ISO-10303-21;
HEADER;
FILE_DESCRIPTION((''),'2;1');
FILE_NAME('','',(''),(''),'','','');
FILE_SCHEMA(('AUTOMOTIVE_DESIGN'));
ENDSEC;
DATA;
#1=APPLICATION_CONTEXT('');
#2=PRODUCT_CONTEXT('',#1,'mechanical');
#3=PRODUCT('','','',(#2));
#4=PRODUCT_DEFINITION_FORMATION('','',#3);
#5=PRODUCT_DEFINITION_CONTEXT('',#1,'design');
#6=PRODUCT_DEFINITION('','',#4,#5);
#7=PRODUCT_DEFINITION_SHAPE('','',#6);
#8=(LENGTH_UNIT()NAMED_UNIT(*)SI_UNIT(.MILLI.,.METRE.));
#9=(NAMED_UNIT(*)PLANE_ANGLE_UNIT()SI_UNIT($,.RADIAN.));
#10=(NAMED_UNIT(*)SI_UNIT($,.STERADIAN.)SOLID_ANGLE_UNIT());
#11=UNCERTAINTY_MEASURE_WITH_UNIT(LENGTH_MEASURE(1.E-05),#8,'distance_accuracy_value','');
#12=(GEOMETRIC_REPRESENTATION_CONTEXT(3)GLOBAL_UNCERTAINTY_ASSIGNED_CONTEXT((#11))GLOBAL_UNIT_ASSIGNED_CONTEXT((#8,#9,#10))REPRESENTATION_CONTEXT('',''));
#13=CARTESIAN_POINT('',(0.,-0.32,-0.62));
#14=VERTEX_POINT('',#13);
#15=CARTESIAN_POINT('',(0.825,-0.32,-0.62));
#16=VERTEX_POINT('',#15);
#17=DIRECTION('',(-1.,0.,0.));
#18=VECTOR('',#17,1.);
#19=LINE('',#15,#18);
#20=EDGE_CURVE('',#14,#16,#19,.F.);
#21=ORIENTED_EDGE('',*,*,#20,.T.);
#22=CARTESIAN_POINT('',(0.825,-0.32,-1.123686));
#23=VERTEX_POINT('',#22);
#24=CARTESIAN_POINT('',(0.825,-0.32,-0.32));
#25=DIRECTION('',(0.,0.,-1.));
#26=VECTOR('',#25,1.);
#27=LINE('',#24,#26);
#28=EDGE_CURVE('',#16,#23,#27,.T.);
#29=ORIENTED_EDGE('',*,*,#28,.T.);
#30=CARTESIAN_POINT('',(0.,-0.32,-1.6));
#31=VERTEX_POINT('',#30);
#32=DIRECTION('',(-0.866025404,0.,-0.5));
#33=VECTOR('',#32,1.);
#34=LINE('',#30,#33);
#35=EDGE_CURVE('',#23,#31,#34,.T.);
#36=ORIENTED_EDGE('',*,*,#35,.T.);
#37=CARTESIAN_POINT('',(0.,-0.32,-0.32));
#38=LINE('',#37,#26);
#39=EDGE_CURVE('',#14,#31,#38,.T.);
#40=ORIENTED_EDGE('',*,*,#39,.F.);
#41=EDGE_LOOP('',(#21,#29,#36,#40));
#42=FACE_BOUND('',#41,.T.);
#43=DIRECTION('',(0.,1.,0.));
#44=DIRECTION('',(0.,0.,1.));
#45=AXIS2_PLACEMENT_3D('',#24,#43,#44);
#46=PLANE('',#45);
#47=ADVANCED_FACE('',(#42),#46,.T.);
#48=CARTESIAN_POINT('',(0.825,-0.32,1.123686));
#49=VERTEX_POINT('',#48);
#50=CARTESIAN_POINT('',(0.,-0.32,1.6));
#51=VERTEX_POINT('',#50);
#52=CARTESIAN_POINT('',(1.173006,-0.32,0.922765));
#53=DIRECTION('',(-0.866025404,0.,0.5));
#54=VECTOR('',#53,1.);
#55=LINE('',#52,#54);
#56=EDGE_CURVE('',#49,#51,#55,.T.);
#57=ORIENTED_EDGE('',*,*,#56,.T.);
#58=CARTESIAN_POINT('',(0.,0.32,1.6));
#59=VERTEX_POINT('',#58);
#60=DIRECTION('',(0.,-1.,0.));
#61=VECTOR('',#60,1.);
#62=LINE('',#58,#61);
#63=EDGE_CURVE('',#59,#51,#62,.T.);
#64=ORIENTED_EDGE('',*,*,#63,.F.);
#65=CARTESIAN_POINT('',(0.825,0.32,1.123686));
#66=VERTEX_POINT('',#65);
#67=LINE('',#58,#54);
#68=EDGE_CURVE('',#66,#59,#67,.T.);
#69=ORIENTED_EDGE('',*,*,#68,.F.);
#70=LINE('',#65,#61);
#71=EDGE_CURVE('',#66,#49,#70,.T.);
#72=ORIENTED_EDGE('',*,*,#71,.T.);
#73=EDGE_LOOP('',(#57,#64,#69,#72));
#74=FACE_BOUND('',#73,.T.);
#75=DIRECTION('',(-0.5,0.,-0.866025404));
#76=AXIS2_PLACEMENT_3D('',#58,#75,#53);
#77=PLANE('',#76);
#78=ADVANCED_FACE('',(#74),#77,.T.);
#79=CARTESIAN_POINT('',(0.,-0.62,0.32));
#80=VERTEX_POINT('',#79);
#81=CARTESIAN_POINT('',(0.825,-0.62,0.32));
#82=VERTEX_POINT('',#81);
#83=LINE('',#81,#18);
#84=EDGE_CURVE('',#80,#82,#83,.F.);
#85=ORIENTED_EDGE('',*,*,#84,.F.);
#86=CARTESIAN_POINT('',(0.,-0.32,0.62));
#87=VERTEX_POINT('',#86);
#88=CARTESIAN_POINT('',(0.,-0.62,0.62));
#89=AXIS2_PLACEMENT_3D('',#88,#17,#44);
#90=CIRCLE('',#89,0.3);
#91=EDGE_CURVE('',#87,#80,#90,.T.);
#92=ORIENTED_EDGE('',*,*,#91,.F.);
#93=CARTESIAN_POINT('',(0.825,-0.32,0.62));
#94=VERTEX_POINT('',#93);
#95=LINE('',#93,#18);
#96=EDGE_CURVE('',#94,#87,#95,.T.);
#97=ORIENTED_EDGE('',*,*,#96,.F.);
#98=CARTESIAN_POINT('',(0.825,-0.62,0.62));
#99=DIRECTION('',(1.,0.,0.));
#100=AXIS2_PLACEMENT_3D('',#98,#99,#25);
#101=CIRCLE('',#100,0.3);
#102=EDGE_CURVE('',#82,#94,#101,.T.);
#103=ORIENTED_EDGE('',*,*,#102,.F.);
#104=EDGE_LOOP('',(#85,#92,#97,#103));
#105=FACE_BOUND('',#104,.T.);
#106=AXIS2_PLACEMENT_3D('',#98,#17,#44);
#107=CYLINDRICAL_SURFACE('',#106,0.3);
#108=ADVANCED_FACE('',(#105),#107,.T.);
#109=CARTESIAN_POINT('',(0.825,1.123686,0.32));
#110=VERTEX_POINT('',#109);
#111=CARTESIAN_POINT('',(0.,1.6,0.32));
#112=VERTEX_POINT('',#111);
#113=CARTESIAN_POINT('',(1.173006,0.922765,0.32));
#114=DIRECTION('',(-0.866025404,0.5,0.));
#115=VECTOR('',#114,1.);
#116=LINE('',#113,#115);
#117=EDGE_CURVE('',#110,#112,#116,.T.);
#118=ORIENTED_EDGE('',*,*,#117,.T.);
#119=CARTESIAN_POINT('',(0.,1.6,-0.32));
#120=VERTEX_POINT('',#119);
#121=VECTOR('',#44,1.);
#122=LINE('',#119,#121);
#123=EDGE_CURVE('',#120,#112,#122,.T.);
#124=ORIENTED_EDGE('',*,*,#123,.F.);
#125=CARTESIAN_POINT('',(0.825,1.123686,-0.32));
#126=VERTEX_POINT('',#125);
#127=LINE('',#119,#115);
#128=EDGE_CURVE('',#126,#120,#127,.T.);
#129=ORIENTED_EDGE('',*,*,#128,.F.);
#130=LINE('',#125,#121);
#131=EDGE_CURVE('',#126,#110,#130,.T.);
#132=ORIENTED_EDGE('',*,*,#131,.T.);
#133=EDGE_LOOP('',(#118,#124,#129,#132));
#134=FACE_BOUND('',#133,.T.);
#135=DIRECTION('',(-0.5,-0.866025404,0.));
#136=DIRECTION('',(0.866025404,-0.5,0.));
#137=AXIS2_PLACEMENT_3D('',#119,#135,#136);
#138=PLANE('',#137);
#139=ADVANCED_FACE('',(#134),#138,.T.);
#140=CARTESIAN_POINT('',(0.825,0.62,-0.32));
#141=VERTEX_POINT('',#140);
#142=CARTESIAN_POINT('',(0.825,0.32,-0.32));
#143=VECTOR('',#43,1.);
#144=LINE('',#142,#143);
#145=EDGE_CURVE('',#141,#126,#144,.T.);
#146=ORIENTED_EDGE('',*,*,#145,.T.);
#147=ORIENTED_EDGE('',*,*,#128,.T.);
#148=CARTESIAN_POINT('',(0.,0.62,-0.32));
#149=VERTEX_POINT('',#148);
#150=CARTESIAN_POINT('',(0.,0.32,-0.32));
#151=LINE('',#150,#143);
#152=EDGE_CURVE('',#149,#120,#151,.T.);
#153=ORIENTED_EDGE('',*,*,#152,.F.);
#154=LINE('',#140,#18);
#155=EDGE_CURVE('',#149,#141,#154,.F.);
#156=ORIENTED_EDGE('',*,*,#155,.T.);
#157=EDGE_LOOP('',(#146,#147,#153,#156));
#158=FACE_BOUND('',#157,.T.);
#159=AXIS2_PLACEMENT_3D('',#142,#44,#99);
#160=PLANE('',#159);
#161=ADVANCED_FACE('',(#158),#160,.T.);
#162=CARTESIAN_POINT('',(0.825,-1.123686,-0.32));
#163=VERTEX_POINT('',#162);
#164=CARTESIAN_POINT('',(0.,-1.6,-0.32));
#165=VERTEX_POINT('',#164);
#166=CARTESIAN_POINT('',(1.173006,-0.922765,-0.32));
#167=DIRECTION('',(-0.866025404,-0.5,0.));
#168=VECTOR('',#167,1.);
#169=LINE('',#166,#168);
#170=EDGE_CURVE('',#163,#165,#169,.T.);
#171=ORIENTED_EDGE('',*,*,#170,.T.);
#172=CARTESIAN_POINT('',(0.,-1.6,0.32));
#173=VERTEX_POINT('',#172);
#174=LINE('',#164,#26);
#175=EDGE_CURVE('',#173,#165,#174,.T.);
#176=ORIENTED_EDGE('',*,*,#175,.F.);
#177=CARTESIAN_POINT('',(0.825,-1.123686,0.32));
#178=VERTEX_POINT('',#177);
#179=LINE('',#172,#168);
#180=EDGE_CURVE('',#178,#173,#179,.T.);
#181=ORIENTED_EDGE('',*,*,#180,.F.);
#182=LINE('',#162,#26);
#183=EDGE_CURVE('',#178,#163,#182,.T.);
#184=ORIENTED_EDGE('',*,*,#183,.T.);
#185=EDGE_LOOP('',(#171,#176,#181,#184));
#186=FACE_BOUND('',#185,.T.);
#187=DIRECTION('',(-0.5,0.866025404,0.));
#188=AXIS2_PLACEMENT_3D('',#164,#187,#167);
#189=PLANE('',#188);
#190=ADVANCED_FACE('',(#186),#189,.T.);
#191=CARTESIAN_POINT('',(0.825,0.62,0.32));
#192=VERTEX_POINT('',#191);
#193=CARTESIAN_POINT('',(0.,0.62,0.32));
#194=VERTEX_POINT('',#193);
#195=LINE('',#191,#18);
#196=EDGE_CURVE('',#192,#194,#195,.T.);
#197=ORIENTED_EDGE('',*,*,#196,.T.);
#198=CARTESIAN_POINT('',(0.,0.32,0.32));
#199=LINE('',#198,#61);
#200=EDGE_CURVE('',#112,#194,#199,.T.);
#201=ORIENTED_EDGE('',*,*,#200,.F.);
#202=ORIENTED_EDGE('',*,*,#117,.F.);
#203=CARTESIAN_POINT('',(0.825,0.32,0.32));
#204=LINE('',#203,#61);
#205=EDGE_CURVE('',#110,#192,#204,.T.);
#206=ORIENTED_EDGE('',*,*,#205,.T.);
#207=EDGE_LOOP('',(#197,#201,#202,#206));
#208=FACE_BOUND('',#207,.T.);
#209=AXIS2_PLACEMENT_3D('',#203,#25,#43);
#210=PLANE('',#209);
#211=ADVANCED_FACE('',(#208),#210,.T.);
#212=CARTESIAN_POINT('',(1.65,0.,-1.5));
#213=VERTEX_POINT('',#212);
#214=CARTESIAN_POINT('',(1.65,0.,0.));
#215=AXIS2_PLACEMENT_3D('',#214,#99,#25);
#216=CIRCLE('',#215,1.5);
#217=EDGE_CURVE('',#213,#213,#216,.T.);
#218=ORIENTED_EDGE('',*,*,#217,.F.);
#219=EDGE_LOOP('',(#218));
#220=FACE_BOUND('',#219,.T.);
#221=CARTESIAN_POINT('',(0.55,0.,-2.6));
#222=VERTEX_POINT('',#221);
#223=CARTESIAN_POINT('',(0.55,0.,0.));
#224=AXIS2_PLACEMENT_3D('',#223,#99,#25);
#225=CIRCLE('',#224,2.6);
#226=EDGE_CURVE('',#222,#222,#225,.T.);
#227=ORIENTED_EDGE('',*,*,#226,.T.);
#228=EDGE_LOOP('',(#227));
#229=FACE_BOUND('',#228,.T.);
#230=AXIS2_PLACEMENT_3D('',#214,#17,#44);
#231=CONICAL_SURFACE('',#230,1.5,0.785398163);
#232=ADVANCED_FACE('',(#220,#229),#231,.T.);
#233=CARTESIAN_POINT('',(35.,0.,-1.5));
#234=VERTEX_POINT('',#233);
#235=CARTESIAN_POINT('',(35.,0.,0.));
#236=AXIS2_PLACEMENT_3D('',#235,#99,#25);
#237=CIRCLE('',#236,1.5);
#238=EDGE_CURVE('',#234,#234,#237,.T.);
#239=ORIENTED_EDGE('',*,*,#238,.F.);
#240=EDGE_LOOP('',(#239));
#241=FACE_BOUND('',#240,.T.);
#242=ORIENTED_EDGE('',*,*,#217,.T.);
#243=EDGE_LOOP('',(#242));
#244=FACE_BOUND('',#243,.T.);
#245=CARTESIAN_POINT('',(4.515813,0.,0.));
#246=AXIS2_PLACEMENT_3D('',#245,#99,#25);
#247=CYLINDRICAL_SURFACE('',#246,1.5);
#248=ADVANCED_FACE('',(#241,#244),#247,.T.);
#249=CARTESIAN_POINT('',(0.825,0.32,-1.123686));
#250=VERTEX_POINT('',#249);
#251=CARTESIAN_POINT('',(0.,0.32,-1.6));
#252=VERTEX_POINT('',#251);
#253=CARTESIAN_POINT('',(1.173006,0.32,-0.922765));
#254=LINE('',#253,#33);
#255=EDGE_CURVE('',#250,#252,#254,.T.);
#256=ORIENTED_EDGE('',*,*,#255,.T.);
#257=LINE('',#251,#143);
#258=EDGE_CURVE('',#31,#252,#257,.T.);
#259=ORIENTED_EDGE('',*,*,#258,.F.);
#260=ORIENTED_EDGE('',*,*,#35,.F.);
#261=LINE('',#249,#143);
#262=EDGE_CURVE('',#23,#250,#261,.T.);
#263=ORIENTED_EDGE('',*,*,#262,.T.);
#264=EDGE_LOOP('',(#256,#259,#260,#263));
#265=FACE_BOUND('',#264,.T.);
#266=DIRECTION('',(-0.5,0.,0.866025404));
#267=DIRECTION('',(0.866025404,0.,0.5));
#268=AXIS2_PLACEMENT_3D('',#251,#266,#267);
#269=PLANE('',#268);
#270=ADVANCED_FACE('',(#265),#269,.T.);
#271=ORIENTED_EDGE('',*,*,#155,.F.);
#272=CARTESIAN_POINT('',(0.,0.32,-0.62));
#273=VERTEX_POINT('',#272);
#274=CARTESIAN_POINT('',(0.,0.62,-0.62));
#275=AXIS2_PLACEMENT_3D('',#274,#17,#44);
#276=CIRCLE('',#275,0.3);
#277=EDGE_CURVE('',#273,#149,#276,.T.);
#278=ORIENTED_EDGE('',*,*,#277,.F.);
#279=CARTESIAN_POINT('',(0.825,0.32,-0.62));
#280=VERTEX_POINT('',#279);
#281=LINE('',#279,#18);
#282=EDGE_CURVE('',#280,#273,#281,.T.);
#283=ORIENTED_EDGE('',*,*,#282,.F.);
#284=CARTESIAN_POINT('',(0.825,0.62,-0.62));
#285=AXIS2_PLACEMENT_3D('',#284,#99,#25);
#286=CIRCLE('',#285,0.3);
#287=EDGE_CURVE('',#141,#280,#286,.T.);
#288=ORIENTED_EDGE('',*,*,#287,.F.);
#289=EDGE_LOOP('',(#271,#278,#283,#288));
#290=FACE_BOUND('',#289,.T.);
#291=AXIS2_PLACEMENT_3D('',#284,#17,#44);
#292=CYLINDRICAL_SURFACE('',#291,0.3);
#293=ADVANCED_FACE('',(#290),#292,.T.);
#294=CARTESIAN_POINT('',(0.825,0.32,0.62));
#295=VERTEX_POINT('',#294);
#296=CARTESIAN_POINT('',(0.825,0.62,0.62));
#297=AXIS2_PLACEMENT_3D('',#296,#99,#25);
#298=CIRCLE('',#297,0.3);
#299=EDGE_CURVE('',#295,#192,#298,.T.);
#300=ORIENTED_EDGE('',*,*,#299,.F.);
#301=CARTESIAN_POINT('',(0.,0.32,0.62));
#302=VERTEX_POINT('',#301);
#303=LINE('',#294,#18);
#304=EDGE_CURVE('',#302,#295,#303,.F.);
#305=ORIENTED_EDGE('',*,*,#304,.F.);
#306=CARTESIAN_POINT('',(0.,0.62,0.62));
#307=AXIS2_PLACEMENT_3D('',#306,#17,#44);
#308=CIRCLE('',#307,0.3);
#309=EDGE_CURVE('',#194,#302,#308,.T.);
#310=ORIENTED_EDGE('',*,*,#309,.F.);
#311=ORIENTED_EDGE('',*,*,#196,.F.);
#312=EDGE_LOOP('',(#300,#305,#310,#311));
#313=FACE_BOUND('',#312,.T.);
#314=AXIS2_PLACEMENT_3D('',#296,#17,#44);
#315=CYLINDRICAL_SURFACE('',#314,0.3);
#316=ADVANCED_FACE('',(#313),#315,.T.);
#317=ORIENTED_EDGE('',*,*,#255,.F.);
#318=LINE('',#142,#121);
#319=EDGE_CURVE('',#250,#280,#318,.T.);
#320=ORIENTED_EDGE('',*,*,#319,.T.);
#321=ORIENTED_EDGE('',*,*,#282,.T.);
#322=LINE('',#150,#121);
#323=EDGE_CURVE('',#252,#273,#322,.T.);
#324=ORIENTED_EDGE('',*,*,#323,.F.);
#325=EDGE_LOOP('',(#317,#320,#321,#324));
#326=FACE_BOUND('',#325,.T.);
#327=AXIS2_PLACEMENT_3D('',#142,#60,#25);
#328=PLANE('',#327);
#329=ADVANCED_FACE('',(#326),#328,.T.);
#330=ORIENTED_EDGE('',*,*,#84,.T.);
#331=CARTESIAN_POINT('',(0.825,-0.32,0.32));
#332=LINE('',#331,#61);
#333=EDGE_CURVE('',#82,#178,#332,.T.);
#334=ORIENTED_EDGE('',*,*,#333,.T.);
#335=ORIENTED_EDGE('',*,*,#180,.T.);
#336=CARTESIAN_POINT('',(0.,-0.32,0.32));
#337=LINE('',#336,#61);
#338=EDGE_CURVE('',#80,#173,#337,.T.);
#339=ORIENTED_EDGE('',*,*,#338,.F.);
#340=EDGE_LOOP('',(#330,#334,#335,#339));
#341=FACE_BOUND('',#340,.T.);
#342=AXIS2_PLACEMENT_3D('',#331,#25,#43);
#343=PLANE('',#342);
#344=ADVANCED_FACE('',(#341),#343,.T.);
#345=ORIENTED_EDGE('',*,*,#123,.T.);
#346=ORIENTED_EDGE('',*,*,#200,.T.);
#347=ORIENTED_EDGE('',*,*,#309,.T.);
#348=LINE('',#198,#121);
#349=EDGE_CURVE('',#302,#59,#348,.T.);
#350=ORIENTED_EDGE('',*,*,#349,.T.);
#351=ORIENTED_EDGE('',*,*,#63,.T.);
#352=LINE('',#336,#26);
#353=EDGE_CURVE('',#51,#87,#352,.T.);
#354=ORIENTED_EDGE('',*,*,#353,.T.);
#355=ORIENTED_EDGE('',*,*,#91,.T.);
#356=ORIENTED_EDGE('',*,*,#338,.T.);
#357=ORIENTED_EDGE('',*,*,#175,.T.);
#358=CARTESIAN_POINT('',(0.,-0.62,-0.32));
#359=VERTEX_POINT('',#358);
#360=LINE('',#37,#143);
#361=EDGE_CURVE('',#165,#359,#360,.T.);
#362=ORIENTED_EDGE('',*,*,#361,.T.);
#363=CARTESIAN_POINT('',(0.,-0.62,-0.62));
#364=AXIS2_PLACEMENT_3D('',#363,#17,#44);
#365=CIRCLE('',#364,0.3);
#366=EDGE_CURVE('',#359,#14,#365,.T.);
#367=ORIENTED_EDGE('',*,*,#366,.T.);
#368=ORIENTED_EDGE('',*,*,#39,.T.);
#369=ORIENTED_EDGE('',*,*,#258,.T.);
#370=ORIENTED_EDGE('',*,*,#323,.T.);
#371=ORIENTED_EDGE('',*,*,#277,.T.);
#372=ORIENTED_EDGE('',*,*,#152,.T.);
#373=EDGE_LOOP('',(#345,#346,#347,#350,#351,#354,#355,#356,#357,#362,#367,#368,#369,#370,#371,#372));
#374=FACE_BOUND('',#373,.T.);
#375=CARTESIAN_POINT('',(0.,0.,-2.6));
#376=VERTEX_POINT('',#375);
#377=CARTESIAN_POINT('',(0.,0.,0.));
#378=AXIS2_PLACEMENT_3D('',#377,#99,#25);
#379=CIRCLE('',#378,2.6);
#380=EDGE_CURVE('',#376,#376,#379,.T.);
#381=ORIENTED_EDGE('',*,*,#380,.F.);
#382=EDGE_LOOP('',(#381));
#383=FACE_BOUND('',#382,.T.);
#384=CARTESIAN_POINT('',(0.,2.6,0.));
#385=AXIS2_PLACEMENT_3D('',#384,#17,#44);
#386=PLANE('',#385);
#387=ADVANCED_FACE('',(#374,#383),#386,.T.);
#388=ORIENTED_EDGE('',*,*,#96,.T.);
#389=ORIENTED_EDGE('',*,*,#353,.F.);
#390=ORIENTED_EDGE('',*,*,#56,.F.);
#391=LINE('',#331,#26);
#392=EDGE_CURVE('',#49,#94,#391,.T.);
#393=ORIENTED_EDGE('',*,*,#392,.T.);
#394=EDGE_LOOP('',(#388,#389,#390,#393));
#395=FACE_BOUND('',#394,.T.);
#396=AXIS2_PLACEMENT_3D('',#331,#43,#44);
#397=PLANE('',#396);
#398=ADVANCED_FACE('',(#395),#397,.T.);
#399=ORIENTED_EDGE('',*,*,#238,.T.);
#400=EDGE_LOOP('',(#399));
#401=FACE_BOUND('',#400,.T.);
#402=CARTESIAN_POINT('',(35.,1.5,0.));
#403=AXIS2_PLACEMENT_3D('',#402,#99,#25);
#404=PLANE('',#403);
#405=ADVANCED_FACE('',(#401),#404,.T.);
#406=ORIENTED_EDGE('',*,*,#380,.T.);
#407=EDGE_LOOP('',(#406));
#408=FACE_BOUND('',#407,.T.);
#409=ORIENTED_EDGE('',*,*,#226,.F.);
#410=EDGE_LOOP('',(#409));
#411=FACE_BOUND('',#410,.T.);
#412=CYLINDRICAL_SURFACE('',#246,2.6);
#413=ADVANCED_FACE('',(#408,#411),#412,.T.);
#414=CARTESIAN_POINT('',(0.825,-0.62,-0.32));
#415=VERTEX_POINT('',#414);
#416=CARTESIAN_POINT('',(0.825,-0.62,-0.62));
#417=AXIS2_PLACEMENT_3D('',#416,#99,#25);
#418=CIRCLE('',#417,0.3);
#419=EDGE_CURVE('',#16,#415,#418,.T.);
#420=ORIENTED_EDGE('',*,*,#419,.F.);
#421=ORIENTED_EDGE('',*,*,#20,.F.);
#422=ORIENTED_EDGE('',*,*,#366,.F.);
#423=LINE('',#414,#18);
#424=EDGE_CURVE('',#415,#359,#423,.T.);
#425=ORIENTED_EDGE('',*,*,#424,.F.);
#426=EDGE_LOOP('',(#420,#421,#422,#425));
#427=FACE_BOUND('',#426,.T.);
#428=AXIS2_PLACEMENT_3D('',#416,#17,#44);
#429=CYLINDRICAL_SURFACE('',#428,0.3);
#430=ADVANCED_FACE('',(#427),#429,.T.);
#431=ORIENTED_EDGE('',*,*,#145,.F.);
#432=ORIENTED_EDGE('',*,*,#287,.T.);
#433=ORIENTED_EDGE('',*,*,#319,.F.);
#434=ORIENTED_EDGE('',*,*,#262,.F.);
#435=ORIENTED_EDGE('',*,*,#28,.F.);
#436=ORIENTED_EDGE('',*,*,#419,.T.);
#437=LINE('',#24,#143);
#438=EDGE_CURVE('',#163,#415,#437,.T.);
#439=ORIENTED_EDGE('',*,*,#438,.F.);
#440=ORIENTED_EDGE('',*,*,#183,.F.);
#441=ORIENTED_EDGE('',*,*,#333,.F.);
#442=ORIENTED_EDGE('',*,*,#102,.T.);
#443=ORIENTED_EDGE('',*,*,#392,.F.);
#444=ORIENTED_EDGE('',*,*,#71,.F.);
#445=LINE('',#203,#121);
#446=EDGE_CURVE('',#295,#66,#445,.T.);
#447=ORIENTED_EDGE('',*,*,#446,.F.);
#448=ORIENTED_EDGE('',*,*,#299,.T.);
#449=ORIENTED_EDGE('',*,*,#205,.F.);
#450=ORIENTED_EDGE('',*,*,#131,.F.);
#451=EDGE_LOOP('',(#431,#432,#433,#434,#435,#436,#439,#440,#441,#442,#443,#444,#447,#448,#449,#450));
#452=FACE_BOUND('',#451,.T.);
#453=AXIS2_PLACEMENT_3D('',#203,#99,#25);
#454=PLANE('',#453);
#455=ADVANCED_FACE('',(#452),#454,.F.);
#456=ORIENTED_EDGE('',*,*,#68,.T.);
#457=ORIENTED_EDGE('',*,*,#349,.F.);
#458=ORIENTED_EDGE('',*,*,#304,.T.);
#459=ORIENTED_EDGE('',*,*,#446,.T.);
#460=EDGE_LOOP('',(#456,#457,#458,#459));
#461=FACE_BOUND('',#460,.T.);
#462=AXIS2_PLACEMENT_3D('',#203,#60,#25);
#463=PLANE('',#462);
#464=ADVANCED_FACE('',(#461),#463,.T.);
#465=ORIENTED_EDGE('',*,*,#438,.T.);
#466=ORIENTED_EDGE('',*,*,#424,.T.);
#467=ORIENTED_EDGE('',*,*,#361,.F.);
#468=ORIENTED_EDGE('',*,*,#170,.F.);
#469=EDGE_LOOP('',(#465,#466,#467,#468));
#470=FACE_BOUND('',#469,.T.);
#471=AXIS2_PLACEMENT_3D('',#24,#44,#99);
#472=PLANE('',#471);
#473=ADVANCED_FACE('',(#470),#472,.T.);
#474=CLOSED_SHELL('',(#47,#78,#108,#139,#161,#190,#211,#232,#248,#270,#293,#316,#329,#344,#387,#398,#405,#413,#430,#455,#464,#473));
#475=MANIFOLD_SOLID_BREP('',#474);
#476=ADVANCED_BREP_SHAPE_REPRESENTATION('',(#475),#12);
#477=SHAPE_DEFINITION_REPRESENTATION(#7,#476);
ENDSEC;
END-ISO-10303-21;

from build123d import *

# Parameters (mm, degrees)
CROSSRECESS_DEPTH = 0.825
DRAFT9_ANGLE      = 30
FILLET5_R         = 0.3


with BuildPart() as part:
    # Sketch1 → Base (revolve)
    with BuildSketch(Plane.XY, mode=Mode.PRIVATE) as base_sk:
        Polygon((35, 1.5), (2.65, 1.5), (1.65, 1.5), (0.55, 2.6), (0, 2.6), (0, 0), (35, 0), align=None)
    revolve(base_sk.sketch.rotate(Axis((4.515812911, 0, 0), (-1, 0, 0)), 90), axis=Axis((4.515812911, 0, 0), (-1, 0, 0)))

    # Sketch6 → CrossRecess (cut)
    with BuildSketch(Plane(origin=(0, 0, 0), x_dir=(0, 0, -1), z_dir=(1, 0, 0))):
        Polygon((0.32, 0.32), (0.32, 1.6), (-0.32, 1.6), (-0.32, 0.32), (-1.6, 0.32), (-1.6, -0.32), (-0.32, -0.32), (-0.32, -1.6), (0.32, -1.6), (0.32, -0.32), (1.6, -0.32), (1.6, 0.32), align=None)
    extrude(amount=CROSSRECESS_DEPTH, mode=Mode.SUBTRACT)

    # Draft9
    draft9_faces = [part.faces().sort_by_distance(p)[0] for p in [
        (0.4125, 1.6, 0),
        (0.4125, 0, 1.6),
        (0.4125, -1.6, 0),
        (0.4125, 0, -1.6),
    ]]
    draft(draft9_faces, Plane(origin=(0, 2.6, 0), x_dir=(0, 0, -1), z_dir=(-1, 0, 0)), DRAFT9_ANGLE)

    # Fillet5
    fillet5_edges = [part.edges().sort_by_distance(p)[0] for p in [
        (0.4125, 0.32, 0.32),
        (0.4125, -0.32, 0.32),
        (0.4125, -0.32, -0.32),
        (0.4125, 0.32, -0.32),
    ]]
    fillet(fillet5_edges, radius=FILLET5_R)


solid = part.part
